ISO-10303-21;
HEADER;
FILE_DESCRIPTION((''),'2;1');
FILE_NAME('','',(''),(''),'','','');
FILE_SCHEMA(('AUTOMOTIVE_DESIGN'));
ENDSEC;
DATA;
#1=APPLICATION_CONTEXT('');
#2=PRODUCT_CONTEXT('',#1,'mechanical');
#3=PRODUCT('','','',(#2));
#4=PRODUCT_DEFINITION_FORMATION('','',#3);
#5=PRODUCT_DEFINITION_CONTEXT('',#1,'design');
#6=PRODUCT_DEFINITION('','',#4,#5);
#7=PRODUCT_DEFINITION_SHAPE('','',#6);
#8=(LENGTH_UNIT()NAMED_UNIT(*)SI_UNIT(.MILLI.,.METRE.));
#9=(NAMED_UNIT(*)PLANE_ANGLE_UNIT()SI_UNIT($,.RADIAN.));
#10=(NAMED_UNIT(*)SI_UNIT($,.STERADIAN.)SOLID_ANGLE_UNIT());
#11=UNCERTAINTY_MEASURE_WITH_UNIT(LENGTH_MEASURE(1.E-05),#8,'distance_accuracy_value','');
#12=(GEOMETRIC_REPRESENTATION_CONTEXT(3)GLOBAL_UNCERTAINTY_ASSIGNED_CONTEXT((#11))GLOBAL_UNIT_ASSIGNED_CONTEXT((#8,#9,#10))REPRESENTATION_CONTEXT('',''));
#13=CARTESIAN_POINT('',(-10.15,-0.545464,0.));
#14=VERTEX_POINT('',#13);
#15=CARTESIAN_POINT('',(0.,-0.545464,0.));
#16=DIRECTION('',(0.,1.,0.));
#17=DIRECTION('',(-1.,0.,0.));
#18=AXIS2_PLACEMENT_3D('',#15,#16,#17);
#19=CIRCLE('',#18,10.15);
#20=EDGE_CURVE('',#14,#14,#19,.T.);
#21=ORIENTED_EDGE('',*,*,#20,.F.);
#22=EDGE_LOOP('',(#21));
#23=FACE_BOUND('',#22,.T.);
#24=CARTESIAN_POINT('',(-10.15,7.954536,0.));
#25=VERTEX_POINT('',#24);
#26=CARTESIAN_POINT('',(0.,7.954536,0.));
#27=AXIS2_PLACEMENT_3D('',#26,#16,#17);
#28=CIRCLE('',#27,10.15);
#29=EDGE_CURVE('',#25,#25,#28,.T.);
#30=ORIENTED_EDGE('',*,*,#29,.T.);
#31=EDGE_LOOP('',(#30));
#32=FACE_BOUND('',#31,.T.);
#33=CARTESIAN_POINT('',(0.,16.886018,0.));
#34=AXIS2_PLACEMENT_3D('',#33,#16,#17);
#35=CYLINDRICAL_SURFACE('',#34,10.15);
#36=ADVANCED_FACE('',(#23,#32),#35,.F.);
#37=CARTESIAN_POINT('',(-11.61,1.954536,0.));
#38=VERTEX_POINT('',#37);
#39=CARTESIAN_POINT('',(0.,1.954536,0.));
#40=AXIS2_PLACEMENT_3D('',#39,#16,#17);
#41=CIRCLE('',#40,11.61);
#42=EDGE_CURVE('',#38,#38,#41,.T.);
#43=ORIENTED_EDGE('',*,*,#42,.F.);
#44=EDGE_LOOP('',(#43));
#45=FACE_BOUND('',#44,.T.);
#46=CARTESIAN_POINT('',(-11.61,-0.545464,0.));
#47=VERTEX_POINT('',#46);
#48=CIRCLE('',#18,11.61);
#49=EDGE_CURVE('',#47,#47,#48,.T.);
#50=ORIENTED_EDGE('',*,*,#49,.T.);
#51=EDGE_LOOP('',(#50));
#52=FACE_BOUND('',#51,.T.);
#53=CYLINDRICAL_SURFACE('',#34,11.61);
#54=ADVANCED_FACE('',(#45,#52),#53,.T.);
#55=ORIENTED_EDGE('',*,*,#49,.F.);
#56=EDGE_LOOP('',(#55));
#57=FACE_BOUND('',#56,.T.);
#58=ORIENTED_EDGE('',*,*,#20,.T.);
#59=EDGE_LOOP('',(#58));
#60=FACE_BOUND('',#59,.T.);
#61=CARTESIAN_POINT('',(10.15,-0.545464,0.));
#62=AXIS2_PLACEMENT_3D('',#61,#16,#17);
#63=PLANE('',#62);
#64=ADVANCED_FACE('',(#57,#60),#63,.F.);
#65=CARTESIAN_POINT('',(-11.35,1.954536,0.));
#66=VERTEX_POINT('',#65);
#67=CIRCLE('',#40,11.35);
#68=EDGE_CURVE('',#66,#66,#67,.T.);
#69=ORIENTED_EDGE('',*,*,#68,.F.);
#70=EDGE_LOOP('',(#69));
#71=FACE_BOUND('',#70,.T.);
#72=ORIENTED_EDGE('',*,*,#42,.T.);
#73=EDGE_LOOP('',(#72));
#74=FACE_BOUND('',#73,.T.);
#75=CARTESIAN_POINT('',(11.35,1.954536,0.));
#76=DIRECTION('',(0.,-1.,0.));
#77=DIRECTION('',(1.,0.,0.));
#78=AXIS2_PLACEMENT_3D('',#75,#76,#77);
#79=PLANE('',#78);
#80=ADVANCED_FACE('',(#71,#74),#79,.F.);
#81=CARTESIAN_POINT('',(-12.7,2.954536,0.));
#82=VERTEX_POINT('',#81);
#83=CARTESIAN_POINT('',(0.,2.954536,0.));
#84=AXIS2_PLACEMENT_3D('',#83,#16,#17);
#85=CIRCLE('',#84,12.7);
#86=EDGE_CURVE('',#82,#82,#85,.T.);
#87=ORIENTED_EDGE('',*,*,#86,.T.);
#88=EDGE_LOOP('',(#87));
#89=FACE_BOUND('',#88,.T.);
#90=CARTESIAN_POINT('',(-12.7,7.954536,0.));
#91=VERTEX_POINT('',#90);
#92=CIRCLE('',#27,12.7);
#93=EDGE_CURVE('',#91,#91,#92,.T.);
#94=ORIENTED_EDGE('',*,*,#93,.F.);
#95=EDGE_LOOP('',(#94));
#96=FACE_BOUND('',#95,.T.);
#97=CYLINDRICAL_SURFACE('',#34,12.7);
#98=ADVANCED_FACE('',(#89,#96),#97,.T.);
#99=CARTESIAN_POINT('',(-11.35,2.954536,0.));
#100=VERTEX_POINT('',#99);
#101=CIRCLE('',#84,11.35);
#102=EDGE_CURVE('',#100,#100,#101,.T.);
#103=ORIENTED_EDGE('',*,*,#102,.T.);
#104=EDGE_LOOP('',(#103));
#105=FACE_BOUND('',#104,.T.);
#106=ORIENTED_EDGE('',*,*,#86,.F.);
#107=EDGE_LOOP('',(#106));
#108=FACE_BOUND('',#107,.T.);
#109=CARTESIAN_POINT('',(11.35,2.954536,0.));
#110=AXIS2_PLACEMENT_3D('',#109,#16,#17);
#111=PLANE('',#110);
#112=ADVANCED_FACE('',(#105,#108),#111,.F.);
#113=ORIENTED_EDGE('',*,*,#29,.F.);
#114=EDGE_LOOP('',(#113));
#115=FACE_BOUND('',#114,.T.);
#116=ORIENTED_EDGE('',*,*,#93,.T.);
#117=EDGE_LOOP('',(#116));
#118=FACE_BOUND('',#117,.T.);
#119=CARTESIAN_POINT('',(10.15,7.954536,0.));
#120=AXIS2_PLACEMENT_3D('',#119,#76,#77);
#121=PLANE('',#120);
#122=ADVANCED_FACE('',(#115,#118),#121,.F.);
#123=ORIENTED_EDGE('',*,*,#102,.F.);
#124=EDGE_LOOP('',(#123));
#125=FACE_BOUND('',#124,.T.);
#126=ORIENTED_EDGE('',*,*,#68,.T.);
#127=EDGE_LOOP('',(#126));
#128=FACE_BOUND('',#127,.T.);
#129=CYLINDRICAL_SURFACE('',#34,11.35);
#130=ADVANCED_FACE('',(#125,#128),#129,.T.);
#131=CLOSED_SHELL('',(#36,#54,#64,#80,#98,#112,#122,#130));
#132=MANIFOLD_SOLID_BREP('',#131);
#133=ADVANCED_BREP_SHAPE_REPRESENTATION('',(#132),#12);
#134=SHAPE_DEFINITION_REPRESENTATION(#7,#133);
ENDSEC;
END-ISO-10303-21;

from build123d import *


with BuildPart() as part:
    # 草图1 → 旋转1 (revolve)
    with BuildSketch(Plane.XY, mode=Mode.PRIVATE) as revolve_1_sk:
        Polygon((10.15, -0.545464411), (10.15, 7.954535589), (12.7, 7.954535589), (12.7, 2.954535589), (11.35, 2.954535589), (11.35, 1.954535589), (11.61, 1.954535589), (11.61, -0.545464411), align=None)
    revolve(revolve_1_sk.sketch.rotate(Axis((0, 16.886018237, 0), (0, -1, 0)), 180), axis=Axis((0, 16.886018237, 0), (0, -1, 0)))  # turned: the seam where the file's is


solid = part.part
